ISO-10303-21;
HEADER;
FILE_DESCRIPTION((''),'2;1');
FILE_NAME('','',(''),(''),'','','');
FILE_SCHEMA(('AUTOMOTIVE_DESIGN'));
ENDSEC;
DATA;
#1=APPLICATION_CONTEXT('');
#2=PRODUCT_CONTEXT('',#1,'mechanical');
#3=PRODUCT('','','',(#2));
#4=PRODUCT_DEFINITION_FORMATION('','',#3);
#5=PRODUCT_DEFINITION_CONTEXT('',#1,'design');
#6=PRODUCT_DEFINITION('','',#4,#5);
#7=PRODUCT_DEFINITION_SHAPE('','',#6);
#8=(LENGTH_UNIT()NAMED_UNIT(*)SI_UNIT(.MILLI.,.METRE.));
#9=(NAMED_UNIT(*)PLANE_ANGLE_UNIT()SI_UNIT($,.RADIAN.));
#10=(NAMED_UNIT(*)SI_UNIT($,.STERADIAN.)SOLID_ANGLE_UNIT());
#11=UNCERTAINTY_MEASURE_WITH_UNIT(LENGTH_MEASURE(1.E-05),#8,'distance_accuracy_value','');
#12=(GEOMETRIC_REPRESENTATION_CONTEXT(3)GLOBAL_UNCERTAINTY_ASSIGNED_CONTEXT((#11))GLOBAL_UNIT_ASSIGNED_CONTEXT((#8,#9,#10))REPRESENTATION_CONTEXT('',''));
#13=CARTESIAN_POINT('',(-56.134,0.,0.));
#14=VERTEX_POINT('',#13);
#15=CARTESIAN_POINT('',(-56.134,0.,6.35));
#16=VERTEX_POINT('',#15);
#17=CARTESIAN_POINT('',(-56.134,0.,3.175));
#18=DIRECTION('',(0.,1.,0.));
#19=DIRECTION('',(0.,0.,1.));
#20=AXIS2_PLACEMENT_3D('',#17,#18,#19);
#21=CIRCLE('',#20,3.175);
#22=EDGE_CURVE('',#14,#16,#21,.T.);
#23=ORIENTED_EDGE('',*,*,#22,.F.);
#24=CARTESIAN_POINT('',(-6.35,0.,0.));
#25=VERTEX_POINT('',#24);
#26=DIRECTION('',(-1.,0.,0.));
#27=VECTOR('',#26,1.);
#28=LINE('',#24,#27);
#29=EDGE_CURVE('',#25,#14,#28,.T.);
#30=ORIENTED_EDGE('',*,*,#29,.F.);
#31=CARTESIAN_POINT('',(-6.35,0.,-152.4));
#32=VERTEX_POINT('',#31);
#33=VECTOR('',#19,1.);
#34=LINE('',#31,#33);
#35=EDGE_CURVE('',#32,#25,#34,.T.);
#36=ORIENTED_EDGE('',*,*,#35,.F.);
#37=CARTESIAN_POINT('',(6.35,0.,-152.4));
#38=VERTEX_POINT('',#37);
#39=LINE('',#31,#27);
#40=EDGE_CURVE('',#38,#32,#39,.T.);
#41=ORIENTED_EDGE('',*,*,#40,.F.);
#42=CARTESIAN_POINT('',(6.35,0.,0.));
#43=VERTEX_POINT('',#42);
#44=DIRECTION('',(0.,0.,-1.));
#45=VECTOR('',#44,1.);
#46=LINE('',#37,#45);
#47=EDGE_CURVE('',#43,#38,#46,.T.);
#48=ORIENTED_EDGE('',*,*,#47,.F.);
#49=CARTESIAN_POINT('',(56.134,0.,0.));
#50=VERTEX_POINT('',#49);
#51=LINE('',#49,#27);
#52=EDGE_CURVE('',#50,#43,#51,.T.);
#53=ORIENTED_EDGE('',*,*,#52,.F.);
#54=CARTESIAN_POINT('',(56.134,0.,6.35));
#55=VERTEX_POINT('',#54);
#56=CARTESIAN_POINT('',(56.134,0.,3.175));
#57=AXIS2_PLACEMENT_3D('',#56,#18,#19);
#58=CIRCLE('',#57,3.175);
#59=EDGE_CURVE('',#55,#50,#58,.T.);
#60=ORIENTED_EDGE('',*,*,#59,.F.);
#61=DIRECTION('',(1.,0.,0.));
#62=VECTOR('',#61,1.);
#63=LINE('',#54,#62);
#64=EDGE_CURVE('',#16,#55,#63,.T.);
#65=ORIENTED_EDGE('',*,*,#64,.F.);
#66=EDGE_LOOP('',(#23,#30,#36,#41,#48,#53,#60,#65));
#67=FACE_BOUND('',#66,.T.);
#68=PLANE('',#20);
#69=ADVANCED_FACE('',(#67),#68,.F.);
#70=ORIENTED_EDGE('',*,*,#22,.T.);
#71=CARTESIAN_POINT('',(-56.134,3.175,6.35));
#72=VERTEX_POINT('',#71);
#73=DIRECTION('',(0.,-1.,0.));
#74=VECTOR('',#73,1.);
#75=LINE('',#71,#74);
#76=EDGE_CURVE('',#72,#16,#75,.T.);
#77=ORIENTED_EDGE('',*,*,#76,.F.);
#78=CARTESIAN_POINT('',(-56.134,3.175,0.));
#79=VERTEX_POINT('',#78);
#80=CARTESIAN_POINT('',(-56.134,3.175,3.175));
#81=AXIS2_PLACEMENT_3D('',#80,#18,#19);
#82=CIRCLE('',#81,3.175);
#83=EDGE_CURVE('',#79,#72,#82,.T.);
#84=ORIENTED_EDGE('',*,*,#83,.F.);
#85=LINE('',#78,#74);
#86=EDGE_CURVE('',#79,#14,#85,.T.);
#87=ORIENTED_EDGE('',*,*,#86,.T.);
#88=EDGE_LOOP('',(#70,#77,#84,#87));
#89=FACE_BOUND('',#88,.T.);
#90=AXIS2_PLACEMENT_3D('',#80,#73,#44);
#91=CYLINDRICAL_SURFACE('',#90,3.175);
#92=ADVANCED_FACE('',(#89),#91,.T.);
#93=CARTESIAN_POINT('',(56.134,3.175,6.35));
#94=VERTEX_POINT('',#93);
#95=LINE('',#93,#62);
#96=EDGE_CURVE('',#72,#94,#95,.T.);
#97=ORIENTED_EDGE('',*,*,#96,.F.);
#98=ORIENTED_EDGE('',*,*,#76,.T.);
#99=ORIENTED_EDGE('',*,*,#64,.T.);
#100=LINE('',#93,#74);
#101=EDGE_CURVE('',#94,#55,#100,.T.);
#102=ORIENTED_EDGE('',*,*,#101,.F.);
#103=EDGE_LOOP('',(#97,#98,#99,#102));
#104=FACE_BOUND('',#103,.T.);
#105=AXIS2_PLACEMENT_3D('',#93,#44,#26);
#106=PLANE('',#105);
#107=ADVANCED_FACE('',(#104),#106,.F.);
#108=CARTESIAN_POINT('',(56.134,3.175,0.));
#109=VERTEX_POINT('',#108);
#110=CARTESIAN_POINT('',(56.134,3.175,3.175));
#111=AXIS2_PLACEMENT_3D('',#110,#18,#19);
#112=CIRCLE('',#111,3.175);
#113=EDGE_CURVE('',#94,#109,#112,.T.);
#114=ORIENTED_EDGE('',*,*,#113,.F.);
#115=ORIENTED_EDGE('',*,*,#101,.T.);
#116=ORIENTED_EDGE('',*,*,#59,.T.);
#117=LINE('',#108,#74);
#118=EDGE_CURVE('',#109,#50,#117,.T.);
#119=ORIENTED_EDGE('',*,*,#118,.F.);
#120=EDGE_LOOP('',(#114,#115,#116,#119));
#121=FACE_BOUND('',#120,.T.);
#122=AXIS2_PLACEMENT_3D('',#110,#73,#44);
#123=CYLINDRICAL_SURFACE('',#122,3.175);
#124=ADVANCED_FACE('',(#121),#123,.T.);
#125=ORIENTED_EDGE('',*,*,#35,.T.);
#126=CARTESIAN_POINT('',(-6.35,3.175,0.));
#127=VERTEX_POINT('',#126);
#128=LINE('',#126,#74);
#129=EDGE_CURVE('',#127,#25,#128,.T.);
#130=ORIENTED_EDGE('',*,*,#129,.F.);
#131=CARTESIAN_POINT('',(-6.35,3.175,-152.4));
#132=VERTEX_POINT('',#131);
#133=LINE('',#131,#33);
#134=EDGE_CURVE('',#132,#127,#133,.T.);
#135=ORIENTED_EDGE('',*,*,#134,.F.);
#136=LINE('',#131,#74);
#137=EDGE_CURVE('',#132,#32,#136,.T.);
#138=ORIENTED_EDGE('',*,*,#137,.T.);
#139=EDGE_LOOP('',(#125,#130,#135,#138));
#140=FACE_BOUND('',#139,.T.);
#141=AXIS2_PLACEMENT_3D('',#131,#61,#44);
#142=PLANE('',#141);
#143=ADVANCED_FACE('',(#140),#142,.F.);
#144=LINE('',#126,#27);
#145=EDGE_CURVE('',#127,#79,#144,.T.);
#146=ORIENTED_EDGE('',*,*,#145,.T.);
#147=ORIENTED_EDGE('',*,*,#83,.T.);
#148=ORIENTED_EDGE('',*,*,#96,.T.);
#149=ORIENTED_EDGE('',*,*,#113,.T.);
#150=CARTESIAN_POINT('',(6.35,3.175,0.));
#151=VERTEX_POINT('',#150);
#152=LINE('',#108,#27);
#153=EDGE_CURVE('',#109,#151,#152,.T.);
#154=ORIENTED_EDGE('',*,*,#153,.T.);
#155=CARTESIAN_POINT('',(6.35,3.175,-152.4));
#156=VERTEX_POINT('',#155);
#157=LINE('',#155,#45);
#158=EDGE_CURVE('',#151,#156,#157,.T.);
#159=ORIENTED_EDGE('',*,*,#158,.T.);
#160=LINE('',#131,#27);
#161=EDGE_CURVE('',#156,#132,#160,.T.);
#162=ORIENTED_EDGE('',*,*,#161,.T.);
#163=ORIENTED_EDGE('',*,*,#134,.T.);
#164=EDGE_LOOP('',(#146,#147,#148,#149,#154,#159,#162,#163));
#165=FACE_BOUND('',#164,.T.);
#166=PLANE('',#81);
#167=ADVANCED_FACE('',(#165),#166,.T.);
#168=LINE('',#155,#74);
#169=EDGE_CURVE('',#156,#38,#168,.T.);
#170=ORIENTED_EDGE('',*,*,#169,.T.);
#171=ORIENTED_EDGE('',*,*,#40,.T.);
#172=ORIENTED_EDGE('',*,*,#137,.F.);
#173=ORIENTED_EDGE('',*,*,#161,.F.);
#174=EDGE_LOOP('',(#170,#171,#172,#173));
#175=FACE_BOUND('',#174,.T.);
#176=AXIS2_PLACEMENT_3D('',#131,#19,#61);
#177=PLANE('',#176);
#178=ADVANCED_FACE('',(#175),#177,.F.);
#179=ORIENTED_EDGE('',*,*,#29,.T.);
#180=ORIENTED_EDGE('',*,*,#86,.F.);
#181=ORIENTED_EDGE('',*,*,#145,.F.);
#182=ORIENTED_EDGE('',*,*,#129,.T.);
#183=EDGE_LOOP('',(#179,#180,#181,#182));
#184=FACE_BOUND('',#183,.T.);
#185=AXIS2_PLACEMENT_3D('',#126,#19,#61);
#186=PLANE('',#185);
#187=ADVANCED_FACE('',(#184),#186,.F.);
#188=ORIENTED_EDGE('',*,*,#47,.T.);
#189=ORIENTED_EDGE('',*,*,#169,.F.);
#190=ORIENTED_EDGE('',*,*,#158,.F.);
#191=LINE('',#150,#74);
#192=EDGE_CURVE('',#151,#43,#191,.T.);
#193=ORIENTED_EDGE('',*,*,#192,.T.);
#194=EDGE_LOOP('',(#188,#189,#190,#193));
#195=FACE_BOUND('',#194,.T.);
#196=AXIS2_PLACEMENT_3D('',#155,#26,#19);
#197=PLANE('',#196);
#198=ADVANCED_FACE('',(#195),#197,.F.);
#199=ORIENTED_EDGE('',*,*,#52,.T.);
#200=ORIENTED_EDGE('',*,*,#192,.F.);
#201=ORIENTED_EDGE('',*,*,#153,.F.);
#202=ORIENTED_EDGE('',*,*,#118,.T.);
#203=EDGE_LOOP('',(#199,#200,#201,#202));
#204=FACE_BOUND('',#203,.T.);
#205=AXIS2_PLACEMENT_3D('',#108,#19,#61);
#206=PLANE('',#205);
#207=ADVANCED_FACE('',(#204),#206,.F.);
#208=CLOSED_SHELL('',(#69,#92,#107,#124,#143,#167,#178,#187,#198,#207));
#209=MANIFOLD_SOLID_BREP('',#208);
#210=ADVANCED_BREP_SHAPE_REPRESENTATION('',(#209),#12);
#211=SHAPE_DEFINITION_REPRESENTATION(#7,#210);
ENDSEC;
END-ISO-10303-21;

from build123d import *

# Parameters (mm, degrees)
BOSS_EXTRUDE1_DEPTH = 3.175


with BuildPart() as part:
    # Sketch1 → Boss-Extrude1 (new body)
    with BuildSketch(Plane(origin=(0, 0, 0), x_dir=(1, 0, 0), z_dir=(0, 1, 0))):
        with BuildLine():
            Line((-6.35, 0), (-56.134, 0))
            ThreePointArc((-56.134, 0), (-59.309, -3.175), (-56.134, -6.35))
            Line((-56.134, -6.35), (56.134, -6.35))
            ThreePointArc((56.134, -6.35), (59.309, -3.175), (56.134, 0))
            Line((56.134, 0), (6.35, 0))
            Line((6.35, 0), (6.35, 152.4))
            Line((6.35, 152.4), (-6.35, 152.4))
            Line((-6.35, 152.4), (-6.35, 0))
        make_face()
    extrude(amount=BOSS_EXTRUDE1_DEPTH)


solid = part.part
